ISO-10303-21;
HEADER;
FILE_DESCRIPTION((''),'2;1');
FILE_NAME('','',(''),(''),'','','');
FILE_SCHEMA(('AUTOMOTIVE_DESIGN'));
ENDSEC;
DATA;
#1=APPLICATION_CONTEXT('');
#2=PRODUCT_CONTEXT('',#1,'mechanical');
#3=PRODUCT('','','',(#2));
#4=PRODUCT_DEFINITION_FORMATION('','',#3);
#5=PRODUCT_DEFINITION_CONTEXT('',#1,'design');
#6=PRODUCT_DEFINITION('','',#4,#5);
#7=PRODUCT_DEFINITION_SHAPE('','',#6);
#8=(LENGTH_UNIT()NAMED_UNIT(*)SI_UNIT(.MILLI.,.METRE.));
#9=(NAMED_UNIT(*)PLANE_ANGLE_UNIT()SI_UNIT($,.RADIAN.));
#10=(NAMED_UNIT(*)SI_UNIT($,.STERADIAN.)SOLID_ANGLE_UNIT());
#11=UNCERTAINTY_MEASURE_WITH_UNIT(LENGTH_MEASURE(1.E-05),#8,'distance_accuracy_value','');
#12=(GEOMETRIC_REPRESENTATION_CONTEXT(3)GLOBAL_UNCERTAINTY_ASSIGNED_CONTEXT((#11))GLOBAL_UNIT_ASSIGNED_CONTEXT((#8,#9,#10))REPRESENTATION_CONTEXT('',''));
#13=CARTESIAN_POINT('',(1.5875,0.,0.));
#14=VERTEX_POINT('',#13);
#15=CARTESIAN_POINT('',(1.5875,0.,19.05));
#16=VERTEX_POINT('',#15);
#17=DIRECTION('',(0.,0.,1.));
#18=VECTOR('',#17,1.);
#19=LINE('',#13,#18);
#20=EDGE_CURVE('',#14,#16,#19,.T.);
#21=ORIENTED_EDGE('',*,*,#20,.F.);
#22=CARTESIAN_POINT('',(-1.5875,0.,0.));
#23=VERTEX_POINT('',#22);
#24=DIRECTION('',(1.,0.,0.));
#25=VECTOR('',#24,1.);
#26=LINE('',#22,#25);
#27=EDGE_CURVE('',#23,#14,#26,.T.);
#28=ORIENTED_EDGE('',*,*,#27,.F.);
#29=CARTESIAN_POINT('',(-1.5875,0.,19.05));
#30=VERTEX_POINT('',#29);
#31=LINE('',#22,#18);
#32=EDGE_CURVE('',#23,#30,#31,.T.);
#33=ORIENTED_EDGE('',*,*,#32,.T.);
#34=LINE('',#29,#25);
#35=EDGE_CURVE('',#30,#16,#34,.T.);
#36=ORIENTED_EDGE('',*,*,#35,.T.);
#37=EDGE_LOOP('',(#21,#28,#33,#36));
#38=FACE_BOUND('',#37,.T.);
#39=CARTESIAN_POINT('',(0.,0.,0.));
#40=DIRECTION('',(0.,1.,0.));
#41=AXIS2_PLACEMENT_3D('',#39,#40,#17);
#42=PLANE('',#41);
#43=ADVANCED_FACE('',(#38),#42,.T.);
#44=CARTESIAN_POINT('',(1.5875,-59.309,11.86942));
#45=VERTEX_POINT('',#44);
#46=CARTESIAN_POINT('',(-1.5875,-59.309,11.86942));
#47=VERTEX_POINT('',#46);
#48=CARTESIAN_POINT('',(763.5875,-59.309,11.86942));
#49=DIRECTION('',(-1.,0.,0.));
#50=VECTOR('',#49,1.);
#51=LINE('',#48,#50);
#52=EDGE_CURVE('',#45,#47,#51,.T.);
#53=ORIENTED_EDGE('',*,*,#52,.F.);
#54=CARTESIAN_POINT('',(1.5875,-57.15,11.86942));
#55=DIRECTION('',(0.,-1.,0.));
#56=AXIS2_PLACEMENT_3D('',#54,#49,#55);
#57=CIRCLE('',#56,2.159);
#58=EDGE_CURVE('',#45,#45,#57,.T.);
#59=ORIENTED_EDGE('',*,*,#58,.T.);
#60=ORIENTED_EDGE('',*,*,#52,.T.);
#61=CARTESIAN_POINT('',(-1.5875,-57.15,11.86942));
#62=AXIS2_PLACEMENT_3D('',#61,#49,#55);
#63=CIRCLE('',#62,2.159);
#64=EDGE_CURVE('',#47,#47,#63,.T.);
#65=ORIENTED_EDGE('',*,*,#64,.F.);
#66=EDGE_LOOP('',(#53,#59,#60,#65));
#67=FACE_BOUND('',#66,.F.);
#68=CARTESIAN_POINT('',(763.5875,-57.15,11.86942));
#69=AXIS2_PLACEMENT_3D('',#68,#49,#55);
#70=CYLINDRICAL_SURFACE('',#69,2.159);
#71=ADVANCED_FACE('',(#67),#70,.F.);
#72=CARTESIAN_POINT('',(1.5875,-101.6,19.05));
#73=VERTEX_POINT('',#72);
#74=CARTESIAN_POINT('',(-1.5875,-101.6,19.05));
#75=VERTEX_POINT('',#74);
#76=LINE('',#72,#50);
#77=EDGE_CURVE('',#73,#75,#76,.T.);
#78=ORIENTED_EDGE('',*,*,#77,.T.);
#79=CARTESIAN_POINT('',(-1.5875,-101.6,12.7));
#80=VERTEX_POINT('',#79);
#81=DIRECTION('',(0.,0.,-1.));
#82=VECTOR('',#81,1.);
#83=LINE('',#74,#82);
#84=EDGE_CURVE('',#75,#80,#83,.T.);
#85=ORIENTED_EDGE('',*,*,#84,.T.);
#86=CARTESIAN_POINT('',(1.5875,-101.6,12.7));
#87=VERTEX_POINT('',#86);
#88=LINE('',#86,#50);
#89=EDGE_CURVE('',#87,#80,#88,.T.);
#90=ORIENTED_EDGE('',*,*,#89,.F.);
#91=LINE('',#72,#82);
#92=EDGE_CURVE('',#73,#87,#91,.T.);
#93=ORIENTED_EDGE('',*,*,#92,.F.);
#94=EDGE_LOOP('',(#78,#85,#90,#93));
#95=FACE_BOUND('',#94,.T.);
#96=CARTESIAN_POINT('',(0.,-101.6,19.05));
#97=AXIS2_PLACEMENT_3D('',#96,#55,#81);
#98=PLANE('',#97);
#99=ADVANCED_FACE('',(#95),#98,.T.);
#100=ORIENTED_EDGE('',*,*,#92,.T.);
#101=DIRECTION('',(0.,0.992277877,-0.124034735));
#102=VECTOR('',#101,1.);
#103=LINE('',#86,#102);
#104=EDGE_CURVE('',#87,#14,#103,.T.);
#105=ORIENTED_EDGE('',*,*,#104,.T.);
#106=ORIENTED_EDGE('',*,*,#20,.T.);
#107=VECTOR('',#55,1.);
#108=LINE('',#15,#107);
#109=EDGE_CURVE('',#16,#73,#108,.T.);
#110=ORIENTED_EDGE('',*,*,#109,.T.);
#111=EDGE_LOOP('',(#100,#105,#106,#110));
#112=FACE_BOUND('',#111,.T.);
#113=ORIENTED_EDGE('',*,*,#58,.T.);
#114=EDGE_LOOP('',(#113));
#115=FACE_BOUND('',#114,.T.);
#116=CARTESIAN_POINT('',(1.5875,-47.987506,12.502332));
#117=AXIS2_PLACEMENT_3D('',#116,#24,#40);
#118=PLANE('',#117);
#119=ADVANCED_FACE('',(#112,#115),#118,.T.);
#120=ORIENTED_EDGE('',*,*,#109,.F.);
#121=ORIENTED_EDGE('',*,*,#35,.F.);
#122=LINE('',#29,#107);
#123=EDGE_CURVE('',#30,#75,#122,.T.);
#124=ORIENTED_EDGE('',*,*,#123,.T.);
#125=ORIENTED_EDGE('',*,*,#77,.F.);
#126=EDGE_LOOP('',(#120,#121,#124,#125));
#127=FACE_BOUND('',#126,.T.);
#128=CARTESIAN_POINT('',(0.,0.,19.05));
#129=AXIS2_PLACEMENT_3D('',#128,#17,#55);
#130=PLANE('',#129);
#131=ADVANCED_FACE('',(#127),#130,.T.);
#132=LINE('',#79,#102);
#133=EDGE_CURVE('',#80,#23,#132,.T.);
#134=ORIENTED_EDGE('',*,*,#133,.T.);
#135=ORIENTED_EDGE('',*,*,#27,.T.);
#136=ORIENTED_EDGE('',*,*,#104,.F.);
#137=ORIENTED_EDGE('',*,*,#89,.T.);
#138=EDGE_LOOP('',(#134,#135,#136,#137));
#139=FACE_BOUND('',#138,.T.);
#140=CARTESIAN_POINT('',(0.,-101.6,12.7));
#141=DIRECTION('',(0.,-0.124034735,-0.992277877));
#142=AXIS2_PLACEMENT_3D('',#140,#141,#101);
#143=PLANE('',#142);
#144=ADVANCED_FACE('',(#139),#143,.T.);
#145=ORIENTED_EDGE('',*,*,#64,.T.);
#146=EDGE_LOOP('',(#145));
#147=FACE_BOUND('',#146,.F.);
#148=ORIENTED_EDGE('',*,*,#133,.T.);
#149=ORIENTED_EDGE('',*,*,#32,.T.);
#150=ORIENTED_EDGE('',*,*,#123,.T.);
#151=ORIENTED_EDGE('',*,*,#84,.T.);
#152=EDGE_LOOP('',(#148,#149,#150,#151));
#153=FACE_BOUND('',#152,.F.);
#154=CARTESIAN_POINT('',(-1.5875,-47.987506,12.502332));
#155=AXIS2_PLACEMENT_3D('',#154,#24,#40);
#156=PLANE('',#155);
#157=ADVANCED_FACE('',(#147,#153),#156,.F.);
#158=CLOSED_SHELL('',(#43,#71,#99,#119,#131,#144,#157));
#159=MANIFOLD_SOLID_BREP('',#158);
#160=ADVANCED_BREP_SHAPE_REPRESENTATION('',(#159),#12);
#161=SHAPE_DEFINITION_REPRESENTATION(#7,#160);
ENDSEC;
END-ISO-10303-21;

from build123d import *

# Parameters (mm, degrees)
F1_DEPTH = 1.5875
F3_D     = 4.318
F3_DEPTH = 762
F3_TIP   = 1.2972580765


with BuildPart() as f1:
    # F0 (on Right) → F1 (new body, symmetric)
    with BuildSketch(Plane.YZ):
        Polygon((-101.6, 12.7), (0, 0), (0, 19.05), (-101.6, 19.05), align=None)
    extrude(amount=F1_DEPTH, both=True)

    # F3
    with Locations(Plane.YZ.offset(1.5875)):
        with Locations((-57.15, 11.86942)):
            Hole(F3_D / 2, depth=F3_DEPTH)
            with Locations((0, 0, -(F3_DEPTH + F3_TIP / 2))):  # 118° drill point
                Cone(0, F3_D / 2, F3_TIP, mode=Mode.SUBTRACT)


solid = f1.part
